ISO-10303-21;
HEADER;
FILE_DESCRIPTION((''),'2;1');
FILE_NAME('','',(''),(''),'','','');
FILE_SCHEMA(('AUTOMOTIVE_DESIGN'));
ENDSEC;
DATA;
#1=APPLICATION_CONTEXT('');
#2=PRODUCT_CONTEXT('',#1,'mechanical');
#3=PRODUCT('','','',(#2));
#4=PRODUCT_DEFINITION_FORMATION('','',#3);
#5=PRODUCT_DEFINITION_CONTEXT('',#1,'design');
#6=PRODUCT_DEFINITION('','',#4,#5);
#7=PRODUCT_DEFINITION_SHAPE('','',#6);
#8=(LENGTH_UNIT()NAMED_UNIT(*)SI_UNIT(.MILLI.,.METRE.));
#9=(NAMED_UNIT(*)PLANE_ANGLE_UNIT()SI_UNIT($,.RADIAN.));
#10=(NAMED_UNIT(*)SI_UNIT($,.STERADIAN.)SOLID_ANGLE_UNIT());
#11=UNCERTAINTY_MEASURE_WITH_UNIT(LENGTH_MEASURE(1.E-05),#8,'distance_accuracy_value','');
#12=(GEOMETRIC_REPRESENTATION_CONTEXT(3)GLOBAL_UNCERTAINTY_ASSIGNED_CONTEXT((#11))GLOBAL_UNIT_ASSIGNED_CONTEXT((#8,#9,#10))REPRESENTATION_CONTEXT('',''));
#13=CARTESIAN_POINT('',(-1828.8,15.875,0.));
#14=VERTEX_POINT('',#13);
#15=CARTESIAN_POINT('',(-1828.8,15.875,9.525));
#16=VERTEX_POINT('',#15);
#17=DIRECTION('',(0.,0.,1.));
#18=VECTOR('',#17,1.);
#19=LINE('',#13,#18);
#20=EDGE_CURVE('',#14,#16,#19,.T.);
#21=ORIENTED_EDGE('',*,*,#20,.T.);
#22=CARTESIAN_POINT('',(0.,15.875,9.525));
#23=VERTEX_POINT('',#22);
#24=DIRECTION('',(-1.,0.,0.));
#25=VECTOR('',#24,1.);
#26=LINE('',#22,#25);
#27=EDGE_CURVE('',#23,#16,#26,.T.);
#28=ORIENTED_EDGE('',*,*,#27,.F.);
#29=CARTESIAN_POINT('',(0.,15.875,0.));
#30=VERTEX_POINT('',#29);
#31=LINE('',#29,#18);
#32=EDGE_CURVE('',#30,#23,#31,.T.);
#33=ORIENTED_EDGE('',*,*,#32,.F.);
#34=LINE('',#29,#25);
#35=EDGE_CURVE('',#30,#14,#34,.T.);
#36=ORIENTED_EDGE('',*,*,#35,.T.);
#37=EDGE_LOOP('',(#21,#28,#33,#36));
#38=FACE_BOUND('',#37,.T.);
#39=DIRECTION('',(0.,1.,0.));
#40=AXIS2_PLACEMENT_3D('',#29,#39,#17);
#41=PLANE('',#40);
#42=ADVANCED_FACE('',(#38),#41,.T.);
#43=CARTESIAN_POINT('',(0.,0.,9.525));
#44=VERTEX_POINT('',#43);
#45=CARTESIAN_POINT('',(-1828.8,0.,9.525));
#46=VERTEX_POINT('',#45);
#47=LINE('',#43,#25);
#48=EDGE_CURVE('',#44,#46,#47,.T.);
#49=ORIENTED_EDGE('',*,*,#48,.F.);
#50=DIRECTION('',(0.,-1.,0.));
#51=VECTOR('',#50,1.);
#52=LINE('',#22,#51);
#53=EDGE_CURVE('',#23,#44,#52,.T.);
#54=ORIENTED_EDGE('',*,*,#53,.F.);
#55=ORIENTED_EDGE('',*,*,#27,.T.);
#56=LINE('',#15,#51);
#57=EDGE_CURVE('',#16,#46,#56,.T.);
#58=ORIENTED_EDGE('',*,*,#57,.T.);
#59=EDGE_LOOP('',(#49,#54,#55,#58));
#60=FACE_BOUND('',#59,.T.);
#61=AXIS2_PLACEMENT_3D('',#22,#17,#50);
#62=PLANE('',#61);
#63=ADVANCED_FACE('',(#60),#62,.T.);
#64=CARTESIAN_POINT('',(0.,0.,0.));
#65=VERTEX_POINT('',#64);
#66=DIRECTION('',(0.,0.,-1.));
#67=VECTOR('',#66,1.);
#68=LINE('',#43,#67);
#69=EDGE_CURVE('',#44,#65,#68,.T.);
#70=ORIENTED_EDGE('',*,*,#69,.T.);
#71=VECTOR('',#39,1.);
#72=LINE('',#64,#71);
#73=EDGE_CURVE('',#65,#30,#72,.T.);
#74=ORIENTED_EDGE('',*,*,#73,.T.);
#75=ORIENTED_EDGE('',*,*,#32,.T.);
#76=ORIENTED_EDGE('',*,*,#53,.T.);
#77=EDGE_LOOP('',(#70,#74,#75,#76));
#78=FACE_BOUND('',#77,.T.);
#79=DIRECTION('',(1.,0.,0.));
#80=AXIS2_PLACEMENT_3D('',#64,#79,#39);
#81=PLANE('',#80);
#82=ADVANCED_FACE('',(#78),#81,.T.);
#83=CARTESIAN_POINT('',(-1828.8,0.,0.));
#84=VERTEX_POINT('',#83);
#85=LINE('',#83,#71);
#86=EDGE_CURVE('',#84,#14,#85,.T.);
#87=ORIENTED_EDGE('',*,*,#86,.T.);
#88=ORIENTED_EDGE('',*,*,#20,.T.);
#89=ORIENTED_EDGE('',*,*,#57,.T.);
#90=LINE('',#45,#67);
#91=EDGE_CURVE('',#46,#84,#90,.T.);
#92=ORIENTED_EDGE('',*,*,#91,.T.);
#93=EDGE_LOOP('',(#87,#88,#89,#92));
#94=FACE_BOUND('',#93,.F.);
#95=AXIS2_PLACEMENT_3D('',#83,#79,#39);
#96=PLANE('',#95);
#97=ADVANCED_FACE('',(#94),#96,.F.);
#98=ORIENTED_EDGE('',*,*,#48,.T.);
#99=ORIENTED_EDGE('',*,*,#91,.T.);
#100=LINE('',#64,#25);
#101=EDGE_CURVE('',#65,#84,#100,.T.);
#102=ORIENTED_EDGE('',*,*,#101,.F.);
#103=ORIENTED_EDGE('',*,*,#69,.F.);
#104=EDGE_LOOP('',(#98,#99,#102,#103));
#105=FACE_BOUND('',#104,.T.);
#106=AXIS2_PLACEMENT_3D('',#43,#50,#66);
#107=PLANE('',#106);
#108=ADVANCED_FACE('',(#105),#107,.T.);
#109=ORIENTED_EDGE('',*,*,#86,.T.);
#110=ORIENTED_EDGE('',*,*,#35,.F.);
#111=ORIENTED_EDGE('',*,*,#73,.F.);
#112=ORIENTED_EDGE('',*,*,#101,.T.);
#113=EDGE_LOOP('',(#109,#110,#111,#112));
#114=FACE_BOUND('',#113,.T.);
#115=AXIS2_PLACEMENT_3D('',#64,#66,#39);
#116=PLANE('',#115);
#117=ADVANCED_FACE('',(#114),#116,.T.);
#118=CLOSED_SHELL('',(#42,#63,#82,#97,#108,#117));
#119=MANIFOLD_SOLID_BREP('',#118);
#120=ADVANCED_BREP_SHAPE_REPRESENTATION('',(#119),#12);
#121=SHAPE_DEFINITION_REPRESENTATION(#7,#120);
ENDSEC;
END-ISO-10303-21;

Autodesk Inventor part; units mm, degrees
ref_plane "YZ Plane" through (0, 0, 0) normal (1, 0, 0) x (0, 1, 0)
ref_plane "XZ Plane" through (0, 0, 0) normal (0, 1, 0) x (-1, 0, 0)
ref_plane "XY Plane" through (0, 0, 0) normal (0, 0, 1) x (1, 0, 0)
sketch "Sketch1" plane through (0, 0, 0) normal (1, 0, 0) x (0, 1, 0)
  line L0 (0, 0) -> (15.875, 0)
  line L1 (15.875, 0) -> (15.875, 9.525)
  line L2 (15.875, 9.525) -> (0, 9.525)
  line L3 (0, 9.525) -> (0, 0)
  dimension "d0" = 15.875
  dimension "d1" = 9.525
extrude "Extrusion1" add sketch "Sketch1" against normal blind 1828.8
properties part number "veeTrackMount"
